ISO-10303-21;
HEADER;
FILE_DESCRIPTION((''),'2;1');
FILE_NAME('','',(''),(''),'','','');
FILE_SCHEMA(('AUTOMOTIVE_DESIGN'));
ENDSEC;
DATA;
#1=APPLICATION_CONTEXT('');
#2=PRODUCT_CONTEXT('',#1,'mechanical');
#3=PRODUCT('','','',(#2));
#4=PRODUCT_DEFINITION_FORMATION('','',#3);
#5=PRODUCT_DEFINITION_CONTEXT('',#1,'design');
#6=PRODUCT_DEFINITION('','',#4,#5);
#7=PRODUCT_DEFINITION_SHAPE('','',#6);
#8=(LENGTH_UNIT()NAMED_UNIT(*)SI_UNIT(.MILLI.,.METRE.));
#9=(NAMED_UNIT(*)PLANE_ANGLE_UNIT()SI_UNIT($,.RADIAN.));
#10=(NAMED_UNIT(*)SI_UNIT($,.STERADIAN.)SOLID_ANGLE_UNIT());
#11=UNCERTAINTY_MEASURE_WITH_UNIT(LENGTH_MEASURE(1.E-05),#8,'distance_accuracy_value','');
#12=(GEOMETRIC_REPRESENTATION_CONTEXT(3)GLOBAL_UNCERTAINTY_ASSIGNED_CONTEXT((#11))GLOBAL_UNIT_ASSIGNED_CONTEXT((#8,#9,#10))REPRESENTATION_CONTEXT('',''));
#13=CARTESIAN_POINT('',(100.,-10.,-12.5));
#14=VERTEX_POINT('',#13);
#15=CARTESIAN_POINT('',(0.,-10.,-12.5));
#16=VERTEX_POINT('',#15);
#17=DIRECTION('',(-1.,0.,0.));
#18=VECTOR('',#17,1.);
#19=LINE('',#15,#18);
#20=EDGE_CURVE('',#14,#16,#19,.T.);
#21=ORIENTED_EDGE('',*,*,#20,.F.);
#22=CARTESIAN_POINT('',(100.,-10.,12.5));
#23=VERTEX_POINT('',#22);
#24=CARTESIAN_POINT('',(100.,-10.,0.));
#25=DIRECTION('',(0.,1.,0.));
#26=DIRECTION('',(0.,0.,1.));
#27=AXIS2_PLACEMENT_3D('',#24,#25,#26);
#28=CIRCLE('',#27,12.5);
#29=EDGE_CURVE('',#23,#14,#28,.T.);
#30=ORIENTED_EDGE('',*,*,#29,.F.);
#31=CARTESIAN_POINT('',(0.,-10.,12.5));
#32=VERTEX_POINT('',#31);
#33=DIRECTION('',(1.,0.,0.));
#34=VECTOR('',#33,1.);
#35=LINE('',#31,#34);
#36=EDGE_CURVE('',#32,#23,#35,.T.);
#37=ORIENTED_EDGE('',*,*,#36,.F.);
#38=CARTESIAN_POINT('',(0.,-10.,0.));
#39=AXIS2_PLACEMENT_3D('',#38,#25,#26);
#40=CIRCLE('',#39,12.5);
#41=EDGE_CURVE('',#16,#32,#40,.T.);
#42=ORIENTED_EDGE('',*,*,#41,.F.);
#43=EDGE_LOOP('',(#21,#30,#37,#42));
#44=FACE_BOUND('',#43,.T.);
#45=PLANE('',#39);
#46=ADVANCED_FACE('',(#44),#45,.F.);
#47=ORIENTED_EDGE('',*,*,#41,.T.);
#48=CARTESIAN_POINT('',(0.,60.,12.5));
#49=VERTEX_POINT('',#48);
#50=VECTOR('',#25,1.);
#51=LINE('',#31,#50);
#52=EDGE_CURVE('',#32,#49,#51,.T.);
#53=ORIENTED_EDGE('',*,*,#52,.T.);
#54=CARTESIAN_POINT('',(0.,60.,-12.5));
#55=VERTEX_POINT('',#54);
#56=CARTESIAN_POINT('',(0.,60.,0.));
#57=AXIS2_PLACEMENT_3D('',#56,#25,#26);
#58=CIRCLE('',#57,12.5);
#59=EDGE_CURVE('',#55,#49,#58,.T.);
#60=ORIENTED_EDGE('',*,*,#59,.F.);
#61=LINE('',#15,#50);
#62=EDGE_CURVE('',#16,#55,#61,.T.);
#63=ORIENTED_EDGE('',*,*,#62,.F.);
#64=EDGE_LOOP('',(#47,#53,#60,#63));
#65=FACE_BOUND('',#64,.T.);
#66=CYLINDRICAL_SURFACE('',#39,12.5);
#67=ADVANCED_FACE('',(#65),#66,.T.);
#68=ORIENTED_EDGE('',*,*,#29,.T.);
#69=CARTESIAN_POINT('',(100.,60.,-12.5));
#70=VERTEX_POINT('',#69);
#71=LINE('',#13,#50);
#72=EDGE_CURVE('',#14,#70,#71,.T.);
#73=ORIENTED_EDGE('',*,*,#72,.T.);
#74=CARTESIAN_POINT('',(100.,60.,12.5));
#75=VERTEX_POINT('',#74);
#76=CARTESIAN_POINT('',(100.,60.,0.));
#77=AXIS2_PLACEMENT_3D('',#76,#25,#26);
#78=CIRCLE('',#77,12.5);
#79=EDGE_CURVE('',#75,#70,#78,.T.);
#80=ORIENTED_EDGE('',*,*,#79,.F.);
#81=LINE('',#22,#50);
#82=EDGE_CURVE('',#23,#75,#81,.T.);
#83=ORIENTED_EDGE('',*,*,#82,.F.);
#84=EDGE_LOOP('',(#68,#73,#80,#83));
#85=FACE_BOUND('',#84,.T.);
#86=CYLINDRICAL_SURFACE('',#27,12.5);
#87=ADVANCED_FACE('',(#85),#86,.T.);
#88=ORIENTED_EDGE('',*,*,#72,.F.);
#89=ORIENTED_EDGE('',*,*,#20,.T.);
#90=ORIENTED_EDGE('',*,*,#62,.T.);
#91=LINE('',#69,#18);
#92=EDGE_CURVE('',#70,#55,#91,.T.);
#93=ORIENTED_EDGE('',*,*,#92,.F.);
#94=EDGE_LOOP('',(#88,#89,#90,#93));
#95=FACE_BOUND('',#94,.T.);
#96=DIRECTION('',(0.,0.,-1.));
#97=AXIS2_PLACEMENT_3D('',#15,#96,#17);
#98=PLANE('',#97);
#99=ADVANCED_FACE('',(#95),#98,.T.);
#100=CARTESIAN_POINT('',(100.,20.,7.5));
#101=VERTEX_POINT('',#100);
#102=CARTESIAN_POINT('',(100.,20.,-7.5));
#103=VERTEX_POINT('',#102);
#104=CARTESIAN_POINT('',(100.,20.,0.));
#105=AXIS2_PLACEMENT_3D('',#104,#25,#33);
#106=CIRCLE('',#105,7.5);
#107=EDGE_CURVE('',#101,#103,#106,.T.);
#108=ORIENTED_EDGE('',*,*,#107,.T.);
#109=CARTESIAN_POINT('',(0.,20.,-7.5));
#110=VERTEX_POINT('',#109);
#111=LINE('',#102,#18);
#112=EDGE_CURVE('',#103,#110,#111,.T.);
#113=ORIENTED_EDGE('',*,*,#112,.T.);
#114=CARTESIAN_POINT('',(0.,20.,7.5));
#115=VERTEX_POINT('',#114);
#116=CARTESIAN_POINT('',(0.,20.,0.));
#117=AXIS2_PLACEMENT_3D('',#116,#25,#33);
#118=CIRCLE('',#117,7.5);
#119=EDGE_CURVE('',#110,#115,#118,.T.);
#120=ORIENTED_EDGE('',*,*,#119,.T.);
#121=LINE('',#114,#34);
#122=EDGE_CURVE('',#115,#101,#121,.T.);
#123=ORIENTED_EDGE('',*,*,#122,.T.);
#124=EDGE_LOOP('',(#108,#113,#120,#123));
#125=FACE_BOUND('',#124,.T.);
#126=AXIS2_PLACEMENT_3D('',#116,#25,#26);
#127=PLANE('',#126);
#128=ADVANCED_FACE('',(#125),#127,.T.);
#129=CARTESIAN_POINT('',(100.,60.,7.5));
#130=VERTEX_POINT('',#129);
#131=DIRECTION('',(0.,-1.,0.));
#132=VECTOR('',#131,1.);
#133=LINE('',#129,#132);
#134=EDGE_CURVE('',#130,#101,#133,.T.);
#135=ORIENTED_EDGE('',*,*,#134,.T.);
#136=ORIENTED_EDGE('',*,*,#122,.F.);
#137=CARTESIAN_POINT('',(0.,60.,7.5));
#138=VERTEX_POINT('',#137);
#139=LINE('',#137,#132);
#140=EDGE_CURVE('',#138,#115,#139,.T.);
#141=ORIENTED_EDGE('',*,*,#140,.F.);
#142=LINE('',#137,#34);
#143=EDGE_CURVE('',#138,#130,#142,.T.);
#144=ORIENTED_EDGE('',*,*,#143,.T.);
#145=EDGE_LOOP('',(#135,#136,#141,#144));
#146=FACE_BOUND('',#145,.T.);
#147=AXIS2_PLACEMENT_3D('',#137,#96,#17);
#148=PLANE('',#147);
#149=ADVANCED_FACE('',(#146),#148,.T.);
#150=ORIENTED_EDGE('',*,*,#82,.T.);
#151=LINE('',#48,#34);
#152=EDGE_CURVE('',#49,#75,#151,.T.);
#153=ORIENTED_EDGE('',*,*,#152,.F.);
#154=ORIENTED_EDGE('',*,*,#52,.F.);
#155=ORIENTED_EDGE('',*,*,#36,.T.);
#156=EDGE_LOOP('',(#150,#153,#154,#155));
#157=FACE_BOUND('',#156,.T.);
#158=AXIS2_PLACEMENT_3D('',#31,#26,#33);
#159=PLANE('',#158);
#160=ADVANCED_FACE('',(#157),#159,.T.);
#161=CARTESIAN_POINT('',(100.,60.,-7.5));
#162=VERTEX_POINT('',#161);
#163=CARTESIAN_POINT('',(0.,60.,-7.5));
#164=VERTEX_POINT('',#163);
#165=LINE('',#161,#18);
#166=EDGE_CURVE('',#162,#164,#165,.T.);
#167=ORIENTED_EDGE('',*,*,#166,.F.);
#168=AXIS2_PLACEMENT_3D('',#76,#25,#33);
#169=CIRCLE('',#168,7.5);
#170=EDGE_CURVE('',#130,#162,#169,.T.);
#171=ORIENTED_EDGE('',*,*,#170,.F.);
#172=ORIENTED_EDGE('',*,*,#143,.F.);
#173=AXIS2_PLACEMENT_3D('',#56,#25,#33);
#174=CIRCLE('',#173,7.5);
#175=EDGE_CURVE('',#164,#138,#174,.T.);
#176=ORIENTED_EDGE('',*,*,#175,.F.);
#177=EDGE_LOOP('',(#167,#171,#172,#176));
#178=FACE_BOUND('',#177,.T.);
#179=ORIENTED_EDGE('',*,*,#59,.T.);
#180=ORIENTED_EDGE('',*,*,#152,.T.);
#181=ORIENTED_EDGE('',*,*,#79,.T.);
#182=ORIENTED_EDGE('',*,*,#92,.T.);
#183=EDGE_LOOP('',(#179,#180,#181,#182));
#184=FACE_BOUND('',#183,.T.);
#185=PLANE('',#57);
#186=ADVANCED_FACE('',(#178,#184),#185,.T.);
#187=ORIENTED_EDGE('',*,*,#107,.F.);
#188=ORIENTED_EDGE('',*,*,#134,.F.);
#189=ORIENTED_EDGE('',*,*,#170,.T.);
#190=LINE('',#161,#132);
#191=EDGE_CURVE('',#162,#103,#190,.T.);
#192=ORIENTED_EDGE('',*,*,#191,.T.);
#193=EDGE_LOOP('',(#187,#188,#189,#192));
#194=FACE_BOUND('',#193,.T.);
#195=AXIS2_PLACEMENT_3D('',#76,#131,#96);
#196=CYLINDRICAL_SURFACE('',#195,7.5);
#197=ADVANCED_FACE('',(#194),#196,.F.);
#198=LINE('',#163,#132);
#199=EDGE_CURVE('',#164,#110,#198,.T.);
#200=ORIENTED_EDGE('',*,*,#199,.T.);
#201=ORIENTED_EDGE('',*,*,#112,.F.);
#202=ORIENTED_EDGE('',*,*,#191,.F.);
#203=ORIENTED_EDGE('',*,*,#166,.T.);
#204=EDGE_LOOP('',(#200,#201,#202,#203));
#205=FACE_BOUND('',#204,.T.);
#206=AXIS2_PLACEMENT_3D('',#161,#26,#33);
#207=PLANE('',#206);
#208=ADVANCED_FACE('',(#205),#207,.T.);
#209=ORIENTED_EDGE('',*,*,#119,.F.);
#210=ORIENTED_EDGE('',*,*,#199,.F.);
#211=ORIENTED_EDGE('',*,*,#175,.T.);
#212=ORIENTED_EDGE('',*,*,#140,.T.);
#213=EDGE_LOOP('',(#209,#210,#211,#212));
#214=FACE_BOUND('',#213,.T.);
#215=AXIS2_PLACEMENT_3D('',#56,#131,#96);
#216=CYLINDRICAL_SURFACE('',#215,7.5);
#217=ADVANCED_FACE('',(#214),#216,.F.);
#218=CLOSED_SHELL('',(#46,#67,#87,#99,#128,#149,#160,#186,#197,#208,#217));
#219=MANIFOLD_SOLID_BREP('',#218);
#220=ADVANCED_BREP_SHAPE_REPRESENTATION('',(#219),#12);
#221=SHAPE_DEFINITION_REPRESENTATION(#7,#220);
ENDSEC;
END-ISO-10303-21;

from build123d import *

# Parameters (mm, degrees)
EXTRUDE_1_DEPTH      = 20
EXTRUDE_1_DEPTH_BACK = 10
EXTRUDE_1_2_DEPTH    = 40


with BuildPart() as part:
    # 草图1 → Extrude 1 (new, two sides: drawn at the far end of the back side and taken through both)
    with BuildSketch(Plane(origin=(0, 0, 0), x_dir=(1, 0, 0), z_dir=(0, 1, 0)).offset(-EXTRUDE_1_DEPTH_BACK)):
        with BuildLine():
            Line((0, 12.5), (100, 12.5))
            ThreePointArc((100, 12.5), (112.5, 0), (100, -12.5))
            Line((100, -12.5), (0, -12.5))
            ThreePointArc((0, -12.5), (-12.5, 0), (0, 12.5))
        make_face()
    extrude(amount=EXTRUDE_1_DEPTH + EXTRUDE_1_DEPTH_BACK)

    # 草图2 → Extrude 1 2 (add)
    with BuildSketch(Plane(origin=(0, 20, 0), x_dir=(1, 0, 0), z_dir=(0, 1, 0))):
        with BuildLine():
            Line((100, 12.5), (0, 12.5))
            ThreePointArc((0, 12.5), (-12.5, 0), (0, -12.5))
            Line((0, -12.5), (100, -12.5))
            ThreePointArc((100, -12.5), (112.5, 0), (100, 12.5))
        make_face()
        with BuildLine():
            Line((100, 7.5), (0, 7.5))
            ThreePointArc((0, 7.5), (-7.5, 0), (0, -7.5))
            Line((0, -7.5), (100, -7.5))
            ThreePointArc((100, -7.5), (107.5, 0), (100, 7.5))
        make_face(mode=Mode.SUBTRACT)
    extrude(amount=EXTRUDE_1_2_DEPTH)


solid = part.part
